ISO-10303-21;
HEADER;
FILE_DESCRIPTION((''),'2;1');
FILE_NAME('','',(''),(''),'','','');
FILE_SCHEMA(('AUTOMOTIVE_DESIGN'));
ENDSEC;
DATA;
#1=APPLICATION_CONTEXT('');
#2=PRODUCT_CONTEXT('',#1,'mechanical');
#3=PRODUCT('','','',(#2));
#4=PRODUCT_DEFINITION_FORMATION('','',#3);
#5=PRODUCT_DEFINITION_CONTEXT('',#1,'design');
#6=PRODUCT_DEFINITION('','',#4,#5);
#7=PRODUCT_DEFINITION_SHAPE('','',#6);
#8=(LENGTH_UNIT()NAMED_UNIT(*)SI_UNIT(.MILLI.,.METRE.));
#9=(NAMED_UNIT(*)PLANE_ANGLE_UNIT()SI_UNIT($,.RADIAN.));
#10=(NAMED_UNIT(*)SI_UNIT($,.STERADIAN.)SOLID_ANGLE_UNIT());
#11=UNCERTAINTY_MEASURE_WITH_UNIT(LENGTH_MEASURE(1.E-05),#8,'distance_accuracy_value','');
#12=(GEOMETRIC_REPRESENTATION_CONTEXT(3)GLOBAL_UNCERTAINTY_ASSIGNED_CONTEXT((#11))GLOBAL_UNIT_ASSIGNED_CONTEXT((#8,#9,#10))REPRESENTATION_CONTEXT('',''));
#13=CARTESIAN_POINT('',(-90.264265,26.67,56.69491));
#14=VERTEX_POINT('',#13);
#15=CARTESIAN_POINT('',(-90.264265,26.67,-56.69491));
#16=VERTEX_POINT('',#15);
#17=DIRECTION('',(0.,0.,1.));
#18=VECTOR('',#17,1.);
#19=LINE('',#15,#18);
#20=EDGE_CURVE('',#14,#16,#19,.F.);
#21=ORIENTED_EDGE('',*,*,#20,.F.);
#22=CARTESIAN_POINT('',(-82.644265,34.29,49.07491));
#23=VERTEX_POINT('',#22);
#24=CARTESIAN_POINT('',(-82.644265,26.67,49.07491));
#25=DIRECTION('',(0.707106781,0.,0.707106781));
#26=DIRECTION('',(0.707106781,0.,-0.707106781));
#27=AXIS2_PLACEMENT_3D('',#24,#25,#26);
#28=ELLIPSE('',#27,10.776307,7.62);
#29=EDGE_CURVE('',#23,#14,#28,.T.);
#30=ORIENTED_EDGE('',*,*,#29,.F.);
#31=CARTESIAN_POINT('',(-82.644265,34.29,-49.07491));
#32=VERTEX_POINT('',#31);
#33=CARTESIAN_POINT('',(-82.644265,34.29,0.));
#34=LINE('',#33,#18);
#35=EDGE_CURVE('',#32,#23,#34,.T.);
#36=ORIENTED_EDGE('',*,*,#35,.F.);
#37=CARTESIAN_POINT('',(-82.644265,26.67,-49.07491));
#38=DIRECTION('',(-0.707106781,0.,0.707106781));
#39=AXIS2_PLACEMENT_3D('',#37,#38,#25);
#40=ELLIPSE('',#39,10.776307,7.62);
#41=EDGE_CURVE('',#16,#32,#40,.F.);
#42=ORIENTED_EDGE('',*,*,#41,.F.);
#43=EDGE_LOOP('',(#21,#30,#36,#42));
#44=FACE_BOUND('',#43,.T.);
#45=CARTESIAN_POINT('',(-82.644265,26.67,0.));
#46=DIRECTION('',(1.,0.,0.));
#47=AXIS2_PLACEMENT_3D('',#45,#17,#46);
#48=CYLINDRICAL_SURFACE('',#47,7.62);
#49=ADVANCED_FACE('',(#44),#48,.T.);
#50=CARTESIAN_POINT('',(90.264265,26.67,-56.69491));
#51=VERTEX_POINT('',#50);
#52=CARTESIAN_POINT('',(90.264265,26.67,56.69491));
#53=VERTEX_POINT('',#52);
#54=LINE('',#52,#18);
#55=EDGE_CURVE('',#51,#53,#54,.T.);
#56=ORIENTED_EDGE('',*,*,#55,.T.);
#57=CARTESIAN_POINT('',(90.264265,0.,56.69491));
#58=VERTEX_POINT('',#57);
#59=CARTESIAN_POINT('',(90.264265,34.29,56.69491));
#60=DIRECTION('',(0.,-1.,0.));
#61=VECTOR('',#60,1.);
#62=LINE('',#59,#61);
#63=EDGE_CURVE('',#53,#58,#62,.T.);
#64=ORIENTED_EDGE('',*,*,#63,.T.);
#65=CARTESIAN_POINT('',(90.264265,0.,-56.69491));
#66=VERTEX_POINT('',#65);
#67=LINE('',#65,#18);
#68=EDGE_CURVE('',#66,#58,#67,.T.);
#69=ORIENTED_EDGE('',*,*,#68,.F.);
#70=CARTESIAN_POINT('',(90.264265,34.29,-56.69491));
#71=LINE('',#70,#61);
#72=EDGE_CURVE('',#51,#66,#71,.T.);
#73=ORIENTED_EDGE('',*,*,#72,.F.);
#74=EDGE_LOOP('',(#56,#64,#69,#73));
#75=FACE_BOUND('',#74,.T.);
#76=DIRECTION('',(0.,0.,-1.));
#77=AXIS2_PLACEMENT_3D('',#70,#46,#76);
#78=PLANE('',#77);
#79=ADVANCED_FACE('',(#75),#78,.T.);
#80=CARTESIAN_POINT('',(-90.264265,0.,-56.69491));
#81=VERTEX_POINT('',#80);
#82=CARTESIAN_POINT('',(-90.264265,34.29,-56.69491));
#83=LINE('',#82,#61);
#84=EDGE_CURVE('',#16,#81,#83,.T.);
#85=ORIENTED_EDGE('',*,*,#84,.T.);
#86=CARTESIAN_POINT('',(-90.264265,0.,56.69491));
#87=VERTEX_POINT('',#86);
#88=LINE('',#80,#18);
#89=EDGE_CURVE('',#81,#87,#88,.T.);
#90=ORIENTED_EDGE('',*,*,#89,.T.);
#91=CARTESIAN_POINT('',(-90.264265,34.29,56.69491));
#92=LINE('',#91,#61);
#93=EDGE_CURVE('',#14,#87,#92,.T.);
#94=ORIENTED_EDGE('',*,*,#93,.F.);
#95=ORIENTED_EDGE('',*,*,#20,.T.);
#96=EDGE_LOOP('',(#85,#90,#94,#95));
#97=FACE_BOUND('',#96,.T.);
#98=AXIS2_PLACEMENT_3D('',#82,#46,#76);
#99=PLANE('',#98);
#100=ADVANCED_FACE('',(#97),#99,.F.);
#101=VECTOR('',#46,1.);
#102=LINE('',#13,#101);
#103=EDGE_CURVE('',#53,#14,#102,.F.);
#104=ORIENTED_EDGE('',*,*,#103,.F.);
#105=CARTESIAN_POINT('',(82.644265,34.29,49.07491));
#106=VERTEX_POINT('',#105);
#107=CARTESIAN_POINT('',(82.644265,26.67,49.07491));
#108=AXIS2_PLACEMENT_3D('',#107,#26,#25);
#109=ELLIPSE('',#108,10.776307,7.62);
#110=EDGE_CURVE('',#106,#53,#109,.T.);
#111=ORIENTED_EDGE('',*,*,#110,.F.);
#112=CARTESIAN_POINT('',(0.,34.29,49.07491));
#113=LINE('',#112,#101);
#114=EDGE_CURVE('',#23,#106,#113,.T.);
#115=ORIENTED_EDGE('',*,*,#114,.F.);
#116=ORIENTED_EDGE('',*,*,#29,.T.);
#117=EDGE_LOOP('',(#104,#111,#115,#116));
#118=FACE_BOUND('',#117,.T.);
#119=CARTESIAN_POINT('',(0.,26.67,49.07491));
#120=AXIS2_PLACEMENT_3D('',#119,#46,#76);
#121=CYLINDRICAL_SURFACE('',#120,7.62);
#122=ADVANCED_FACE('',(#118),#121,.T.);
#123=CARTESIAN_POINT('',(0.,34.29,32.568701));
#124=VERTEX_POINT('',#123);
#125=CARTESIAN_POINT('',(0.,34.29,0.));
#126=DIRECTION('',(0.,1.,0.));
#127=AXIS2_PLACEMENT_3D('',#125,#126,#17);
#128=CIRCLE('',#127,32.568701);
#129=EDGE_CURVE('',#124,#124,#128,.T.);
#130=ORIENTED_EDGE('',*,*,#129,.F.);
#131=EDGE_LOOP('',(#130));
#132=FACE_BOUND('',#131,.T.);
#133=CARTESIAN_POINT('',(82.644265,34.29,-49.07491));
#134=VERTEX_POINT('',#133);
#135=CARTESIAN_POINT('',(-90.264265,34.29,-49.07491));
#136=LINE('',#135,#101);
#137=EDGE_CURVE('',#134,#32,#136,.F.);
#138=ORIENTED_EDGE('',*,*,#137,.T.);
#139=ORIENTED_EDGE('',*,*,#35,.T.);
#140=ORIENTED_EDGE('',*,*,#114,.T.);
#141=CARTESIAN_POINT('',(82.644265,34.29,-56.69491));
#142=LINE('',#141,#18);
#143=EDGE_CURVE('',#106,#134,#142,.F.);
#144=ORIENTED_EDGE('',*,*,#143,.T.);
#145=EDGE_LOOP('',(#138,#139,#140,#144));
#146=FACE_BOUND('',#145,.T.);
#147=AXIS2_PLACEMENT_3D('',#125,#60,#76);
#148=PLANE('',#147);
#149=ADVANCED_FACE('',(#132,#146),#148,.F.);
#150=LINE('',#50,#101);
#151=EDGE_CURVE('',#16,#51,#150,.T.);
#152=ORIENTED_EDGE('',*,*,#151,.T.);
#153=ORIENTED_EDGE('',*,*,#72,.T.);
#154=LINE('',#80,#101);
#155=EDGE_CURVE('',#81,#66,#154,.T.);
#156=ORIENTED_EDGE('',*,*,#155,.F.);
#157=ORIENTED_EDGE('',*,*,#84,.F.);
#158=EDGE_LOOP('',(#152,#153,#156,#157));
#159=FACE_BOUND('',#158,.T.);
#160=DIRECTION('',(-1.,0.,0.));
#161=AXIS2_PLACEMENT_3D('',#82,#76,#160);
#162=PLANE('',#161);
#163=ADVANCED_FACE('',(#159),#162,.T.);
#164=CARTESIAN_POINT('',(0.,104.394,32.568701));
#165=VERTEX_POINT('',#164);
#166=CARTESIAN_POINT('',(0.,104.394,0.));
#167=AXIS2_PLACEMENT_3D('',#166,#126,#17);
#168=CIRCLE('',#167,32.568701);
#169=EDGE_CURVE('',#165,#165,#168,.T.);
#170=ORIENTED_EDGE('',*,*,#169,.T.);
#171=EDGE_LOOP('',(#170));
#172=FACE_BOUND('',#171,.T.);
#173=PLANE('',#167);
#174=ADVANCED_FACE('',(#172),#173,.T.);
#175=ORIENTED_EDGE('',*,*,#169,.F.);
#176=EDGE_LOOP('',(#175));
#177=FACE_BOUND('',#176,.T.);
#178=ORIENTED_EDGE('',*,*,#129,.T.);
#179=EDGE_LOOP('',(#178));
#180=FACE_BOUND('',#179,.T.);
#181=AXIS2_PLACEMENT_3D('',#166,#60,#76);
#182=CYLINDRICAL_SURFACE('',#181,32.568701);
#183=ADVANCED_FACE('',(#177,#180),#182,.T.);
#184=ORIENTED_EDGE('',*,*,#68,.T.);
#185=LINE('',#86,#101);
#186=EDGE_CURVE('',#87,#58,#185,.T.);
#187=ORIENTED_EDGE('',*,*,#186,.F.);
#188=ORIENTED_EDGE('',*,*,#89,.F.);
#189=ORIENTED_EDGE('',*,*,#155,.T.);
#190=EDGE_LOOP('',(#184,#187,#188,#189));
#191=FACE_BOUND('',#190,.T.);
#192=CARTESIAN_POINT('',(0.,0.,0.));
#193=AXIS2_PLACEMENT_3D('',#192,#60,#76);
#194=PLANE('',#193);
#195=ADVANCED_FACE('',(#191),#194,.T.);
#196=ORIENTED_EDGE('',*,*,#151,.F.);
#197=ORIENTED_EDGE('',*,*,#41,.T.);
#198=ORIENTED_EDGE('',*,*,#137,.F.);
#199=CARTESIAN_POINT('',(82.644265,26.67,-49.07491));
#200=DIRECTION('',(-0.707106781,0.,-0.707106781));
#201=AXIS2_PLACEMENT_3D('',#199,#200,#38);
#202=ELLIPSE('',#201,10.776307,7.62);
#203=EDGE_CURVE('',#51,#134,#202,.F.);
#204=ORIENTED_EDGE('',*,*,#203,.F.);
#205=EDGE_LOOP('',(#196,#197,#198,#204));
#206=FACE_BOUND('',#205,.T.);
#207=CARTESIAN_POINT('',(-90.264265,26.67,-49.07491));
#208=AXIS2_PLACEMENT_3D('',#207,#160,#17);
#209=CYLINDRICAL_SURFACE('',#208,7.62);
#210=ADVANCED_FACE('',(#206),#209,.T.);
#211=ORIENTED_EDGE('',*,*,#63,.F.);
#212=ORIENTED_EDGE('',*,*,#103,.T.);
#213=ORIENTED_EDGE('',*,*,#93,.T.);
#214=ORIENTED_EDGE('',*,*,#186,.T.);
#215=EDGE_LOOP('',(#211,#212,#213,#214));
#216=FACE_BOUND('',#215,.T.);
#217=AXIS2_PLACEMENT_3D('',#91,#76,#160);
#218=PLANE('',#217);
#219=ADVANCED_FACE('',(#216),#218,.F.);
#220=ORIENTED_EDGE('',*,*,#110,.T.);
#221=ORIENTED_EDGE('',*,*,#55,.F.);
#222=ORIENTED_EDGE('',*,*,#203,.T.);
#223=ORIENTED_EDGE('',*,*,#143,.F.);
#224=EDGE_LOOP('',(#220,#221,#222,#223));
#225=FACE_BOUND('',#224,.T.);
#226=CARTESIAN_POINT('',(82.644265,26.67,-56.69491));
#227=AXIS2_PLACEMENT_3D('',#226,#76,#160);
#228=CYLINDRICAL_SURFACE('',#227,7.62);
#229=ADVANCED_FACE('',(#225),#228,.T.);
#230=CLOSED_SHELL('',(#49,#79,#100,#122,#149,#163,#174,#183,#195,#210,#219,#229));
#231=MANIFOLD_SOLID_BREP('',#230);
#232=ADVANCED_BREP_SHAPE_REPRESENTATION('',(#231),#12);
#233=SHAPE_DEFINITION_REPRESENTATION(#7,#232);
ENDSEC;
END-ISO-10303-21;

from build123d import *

# Parameters (mm, degrees)
SKETCH1_W           = 180.528529484
SKETCH1_H           = 113.389820172
BOSS_EXTRUDE1_DEPTH = 34.29
SKETCH3_R           = 32.56870091
BOSS_EXTRUDE2_DEPTH = 70.104
FILLET1_R           = 7.62


with BuildPart() as part:
    # Sketch1 → Boss-Extrude1 (new body)
    with BuildSketch(Plane(origin=(0, 0, 0), x_dir=(1, 0, 0), z_dir=(0, 1, 0))):
        Rectangle(SKETCH1_W, SKETCH1_H)
    extrude(amount=BOSS_EXTRUDE1_DEPTH)

    # Sketch3 → Boss-Extrude2 (add)
    with BuildSketch(Plane(origin=(0, 34.29, 0), x_dir=(1, 0, 0), z_dir=(0, 1, 0))):
        Circle(SKETCH3_R)
    extrude(amount=BOSS_EXTRUDE2_DEPTH)

    # Fillet1
    fillet1_edges = [part.edges().sort_by_distance(p)[0] for p in [
        (0, 34.29, 56.694910086),
        (0, 34.29, -56.694910086),
        (90.264264742, 34.29, 0),
        (-90.264264742, 34.29, 0),
    ]]
    fillet(fillet1_edges, radius=FILLET1_R)


solid = part.part
